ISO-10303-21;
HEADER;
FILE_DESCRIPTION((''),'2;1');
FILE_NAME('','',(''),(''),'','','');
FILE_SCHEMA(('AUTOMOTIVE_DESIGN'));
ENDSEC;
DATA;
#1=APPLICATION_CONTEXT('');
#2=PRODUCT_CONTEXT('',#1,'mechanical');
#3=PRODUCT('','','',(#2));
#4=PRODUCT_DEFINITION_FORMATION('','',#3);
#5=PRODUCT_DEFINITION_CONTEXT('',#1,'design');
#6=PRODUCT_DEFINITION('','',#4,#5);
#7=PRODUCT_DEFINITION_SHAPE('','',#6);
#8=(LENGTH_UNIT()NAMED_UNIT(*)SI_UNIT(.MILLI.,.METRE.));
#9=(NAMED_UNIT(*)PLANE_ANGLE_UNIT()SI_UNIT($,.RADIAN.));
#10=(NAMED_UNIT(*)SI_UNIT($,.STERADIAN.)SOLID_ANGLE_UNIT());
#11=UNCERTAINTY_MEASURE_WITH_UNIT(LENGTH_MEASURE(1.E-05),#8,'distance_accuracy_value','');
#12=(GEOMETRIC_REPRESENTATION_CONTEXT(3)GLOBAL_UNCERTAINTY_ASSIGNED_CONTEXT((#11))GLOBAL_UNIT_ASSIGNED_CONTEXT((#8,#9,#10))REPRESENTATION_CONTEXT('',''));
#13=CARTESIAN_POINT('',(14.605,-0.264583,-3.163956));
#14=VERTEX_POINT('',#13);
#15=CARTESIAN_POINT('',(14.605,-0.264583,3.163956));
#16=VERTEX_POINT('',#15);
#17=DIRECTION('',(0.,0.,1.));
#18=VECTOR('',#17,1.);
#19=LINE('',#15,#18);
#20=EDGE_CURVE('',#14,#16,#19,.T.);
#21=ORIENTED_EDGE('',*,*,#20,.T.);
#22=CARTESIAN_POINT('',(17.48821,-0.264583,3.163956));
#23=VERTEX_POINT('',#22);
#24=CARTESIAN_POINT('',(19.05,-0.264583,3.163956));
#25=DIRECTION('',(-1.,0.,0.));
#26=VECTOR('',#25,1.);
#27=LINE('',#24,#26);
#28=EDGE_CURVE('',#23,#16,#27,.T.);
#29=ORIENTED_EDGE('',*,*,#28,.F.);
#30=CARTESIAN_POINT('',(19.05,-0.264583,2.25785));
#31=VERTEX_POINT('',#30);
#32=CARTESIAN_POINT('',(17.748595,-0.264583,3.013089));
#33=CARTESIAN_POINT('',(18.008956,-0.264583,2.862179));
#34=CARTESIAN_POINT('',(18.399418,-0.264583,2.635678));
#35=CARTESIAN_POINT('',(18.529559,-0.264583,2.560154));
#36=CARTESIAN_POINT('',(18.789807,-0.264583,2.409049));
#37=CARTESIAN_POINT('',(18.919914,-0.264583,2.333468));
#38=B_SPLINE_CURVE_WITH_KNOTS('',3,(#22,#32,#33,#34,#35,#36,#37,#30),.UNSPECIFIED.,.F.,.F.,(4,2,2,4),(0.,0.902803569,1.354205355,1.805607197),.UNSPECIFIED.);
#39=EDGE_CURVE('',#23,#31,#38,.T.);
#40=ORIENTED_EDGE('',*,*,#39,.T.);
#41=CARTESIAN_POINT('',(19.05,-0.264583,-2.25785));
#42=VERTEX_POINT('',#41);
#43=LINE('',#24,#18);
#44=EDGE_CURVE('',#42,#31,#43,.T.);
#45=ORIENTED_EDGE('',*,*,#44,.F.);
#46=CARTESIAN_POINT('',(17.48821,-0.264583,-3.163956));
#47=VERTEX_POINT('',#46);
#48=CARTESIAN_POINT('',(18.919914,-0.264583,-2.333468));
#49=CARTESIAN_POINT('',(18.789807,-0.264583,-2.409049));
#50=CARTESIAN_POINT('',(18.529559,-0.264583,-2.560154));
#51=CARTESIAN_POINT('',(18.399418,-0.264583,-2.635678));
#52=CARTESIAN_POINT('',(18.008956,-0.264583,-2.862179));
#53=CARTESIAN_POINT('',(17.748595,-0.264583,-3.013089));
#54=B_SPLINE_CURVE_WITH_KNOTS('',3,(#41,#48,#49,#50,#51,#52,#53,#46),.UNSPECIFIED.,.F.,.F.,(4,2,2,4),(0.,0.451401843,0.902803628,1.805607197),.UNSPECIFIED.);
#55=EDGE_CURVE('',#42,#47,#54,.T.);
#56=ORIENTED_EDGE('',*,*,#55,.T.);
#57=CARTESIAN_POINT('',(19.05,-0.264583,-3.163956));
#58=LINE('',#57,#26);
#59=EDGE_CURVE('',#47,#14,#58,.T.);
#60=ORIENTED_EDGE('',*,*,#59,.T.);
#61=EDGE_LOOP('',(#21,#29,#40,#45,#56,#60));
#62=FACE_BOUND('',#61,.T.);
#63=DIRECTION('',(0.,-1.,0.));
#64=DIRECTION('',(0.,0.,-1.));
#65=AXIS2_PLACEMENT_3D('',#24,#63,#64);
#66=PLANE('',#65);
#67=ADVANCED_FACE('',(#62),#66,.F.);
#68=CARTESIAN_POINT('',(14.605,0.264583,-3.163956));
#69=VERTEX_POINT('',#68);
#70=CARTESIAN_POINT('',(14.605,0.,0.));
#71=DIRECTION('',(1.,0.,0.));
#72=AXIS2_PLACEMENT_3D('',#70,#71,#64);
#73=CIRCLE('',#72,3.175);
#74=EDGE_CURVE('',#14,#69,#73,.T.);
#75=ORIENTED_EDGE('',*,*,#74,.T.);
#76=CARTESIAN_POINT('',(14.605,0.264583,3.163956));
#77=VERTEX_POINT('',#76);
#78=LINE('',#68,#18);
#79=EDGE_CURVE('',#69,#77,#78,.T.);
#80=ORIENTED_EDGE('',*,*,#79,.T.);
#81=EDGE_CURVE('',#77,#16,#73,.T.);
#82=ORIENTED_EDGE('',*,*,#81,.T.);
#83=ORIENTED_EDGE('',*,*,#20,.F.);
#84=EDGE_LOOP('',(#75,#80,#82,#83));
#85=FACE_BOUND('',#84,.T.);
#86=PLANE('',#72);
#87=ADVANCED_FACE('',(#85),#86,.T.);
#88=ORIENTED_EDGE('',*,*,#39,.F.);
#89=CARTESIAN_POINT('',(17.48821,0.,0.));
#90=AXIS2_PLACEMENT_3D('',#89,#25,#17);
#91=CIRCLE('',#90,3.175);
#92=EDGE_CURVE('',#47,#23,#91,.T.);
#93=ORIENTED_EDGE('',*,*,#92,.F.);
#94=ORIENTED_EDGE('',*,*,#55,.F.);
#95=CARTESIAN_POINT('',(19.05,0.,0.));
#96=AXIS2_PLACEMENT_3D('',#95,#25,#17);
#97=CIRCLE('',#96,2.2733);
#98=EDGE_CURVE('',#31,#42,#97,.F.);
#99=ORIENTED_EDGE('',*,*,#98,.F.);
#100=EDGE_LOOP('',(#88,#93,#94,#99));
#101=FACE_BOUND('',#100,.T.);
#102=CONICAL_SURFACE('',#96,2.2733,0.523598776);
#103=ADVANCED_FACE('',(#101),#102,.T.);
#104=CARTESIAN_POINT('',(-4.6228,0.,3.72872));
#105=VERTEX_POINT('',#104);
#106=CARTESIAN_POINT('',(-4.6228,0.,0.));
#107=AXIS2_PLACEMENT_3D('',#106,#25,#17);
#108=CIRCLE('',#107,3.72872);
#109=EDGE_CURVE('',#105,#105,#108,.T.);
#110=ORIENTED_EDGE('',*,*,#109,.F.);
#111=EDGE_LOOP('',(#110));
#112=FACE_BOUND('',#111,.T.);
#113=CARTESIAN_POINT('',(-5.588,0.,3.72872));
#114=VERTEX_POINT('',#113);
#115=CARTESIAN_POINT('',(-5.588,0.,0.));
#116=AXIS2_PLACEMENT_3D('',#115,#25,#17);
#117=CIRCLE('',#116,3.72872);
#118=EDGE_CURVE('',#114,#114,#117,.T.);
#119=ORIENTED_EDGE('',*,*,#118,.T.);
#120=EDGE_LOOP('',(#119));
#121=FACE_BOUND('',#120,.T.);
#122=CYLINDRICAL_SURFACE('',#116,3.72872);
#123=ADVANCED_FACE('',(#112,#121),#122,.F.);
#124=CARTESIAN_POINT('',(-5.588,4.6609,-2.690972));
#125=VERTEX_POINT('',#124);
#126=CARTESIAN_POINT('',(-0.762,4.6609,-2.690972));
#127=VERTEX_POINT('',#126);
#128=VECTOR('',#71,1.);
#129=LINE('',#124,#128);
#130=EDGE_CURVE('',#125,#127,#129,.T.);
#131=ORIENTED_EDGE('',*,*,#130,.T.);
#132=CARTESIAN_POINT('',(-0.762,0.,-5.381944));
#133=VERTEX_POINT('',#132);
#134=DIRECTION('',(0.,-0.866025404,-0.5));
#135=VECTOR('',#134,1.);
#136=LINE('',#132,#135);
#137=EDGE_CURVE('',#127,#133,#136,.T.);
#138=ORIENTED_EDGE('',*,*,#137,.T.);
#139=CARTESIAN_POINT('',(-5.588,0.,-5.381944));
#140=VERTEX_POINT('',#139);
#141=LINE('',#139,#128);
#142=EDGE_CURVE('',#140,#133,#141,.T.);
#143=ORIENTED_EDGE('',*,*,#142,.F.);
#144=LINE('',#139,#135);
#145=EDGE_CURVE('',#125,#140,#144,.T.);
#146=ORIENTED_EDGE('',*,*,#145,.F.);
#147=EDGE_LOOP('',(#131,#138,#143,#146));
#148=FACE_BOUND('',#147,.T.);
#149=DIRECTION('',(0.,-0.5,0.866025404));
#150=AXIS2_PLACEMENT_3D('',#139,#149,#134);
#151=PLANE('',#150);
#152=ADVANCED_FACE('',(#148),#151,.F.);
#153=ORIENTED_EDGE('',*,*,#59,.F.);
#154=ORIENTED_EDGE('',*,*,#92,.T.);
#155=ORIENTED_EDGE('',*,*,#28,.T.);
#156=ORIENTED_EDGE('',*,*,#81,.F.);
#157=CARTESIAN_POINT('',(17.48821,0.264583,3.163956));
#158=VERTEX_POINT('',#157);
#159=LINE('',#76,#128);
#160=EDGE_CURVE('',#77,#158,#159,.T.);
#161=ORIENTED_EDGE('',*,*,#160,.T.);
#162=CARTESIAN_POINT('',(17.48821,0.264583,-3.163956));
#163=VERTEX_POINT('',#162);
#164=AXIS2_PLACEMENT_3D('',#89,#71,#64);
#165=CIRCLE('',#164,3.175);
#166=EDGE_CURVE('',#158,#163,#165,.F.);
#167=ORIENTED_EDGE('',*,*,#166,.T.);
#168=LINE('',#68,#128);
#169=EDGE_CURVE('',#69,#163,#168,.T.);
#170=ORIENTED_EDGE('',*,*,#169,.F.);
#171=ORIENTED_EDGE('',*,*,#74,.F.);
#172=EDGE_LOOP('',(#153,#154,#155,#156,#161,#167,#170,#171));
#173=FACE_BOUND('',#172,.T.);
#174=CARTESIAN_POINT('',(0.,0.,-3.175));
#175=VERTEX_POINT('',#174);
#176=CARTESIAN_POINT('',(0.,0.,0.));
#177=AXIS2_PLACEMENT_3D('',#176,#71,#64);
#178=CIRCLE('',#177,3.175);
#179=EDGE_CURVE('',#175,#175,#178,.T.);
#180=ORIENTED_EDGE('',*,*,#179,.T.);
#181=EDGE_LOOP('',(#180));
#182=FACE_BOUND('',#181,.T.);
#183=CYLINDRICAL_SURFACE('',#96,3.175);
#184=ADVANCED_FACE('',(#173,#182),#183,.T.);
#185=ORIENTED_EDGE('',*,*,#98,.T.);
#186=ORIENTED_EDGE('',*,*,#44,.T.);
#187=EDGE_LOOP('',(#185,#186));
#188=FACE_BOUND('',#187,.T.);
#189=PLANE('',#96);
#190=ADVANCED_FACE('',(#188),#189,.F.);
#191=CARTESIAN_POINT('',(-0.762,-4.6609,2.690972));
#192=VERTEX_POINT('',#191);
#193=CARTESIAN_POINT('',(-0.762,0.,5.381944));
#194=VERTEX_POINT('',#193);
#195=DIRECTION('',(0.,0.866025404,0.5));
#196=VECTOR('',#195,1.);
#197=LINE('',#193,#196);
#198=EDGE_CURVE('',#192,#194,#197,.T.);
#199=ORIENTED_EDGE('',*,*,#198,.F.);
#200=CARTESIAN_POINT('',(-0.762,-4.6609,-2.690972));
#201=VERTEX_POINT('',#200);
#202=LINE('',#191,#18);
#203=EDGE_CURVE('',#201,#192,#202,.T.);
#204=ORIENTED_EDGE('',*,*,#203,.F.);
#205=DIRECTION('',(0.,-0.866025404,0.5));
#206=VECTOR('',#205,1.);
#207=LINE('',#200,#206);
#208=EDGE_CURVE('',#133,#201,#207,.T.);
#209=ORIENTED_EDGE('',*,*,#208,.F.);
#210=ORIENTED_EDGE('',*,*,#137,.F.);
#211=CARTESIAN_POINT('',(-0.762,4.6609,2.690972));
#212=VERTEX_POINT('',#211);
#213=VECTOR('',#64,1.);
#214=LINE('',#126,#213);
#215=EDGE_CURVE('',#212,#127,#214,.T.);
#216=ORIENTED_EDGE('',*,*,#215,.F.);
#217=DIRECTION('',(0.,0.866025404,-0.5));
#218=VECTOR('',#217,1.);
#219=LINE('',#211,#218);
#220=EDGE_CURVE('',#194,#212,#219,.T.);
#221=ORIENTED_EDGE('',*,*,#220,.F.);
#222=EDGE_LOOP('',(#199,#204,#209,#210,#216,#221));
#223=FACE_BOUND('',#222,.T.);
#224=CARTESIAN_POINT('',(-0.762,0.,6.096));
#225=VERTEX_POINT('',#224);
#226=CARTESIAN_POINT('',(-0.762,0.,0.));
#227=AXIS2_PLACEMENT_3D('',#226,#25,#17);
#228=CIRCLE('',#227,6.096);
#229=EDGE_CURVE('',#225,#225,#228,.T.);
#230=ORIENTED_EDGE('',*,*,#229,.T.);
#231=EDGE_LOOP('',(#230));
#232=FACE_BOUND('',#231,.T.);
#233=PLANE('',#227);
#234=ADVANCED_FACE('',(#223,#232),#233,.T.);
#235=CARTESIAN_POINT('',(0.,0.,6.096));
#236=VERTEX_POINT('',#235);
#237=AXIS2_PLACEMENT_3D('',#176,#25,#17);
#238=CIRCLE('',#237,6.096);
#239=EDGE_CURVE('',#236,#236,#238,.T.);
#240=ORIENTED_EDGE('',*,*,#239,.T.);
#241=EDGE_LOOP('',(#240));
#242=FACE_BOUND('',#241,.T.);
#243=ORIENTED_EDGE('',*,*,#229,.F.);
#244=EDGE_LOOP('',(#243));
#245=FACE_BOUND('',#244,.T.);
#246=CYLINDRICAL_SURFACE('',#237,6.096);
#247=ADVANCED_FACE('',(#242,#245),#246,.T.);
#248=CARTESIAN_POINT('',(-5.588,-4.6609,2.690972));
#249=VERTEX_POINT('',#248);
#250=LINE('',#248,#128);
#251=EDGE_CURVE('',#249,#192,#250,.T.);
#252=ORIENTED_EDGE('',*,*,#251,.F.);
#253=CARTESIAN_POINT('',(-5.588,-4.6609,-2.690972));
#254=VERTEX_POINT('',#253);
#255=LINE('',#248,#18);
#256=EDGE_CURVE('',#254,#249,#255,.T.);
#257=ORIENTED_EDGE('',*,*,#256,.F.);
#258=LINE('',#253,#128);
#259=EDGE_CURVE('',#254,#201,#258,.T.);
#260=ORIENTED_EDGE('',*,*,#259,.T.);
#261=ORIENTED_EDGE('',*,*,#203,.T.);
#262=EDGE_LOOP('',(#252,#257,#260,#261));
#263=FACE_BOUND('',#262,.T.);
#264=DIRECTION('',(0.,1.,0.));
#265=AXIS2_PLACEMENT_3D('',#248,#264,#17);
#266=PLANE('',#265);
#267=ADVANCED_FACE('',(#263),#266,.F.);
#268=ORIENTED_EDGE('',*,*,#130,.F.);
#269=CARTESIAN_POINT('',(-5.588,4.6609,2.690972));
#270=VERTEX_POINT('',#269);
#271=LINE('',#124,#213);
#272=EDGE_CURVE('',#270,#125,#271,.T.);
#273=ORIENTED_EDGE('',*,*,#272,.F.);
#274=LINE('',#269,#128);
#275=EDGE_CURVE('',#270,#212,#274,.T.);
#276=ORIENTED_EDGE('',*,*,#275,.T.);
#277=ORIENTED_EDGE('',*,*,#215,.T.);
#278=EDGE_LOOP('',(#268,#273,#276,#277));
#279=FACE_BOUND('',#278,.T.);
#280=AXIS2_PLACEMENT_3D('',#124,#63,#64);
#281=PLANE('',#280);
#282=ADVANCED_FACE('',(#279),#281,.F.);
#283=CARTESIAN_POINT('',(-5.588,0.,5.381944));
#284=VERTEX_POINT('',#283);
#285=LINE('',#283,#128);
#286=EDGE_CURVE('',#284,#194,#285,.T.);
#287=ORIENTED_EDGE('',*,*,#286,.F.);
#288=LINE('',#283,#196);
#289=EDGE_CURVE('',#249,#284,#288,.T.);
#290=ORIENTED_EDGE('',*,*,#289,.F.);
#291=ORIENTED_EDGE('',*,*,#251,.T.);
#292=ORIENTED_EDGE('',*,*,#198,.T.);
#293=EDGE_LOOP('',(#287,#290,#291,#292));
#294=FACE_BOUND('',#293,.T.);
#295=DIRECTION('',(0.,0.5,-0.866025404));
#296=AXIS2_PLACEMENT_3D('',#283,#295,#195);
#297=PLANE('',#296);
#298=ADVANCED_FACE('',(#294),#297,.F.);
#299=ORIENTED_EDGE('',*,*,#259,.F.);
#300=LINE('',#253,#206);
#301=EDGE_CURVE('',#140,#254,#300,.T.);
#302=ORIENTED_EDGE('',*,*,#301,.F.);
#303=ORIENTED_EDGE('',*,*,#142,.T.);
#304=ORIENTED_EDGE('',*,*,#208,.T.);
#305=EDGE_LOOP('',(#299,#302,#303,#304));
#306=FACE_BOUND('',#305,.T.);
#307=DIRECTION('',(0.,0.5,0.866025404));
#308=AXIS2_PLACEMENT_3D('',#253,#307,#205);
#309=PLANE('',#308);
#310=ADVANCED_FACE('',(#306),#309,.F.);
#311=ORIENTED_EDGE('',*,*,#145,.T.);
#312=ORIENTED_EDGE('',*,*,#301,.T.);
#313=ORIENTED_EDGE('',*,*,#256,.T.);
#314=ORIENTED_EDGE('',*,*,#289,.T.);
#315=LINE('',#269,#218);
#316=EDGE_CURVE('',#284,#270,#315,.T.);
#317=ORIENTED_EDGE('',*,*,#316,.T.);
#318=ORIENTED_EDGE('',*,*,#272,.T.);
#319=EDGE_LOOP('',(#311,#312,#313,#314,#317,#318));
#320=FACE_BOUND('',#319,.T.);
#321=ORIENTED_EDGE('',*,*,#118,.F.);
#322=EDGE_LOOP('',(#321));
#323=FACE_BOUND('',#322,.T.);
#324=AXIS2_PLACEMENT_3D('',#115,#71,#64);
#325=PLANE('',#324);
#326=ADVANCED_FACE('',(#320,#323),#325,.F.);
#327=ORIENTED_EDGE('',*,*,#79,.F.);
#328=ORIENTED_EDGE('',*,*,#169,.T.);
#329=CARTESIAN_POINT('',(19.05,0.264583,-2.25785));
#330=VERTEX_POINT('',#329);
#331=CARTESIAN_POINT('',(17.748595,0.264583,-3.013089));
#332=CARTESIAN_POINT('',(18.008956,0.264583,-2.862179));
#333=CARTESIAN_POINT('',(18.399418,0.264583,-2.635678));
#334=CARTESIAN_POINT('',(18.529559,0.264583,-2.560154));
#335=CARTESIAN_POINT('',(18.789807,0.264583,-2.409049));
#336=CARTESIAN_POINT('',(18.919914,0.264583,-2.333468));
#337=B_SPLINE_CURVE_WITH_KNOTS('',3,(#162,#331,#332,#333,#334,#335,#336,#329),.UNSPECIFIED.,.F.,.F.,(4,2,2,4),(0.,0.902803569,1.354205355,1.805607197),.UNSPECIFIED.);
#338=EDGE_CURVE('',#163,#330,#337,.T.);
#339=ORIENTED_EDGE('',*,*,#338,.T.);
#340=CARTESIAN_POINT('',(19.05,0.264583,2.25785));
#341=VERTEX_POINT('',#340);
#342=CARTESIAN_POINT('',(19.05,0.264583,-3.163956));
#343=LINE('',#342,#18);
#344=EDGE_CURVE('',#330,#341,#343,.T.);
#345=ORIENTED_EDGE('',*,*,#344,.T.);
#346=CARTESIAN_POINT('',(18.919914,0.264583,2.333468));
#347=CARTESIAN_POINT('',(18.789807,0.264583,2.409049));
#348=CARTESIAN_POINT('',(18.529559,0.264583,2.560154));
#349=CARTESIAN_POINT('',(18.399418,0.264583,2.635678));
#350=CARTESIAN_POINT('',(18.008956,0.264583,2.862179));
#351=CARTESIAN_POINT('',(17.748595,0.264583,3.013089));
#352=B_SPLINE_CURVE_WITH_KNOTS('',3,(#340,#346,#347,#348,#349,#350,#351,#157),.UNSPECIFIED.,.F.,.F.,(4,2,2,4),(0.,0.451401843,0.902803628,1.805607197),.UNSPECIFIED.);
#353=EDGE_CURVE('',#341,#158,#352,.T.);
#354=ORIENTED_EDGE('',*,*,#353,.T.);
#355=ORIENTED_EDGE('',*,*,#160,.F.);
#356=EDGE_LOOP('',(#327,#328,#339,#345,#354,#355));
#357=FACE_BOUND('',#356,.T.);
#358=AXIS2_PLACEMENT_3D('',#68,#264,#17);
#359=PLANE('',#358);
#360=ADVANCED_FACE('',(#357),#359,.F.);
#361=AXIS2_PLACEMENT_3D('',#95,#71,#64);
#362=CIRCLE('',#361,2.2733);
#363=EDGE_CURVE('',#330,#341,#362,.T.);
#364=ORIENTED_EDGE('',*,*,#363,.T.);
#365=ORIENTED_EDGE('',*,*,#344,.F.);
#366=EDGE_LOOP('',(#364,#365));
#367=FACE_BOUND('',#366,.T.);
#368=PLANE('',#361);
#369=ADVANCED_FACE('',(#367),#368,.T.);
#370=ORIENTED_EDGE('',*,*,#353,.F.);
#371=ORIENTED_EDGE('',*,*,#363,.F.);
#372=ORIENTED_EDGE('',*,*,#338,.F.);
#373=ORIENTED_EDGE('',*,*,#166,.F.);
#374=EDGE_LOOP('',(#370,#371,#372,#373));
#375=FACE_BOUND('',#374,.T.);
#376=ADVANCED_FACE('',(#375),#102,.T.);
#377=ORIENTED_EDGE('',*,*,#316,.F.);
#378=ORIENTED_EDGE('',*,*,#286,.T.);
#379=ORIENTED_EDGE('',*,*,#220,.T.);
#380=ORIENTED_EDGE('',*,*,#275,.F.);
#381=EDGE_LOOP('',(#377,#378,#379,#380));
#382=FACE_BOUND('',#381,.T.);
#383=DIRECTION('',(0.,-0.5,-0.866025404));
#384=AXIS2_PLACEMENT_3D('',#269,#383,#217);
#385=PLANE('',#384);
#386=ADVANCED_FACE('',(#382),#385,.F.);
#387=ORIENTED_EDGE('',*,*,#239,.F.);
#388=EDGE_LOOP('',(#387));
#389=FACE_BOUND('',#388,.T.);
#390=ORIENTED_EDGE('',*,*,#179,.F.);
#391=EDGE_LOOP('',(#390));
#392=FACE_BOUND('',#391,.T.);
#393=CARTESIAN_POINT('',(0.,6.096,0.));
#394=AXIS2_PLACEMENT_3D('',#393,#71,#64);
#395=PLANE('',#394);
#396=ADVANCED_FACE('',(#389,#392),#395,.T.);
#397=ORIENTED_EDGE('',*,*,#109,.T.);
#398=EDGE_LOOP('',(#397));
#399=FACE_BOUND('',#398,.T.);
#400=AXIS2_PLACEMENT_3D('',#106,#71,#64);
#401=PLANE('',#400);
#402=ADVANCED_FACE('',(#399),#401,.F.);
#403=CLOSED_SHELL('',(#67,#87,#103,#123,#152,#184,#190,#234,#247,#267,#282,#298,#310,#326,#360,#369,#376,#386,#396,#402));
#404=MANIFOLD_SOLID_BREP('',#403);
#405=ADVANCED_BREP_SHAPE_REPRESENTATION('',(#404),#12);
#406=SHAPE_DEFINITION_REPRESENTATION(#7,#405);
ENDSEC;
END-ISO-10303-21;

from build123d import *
from OCP.BRepFilletAPI import BRepFilletAPI_MakeChamfer
from build123d.topology import SkipClean

# Parameters (mm, degrees)
SKETCH1_W                  = 0.762
SKETCH1_H                  = 6.096
SKETCH2_R                  = 3.175
BOSS_EXTRUDE1_DEPTH        = 19.05
CUT_EXTRUDE1_START         = -4.445
CUT_EXTRUDE1_DEPTH         = 4.445
BOSS_EXTRUDE2_DEPTH        = 4.445
BOSS_EXTRUDE3_DEPTH        = 4.826
M6_5_CLEARANCE_HOLE1_D     = 7.45744
M6_5_CLEARANCE_HOLE1_DEPTH = 0.9652
CHAMFER1_SIZE              = 0.9017
CHAMFER1_SIZE2             = 1.561790213


with BuildPart() as part:
    # Sketch1 → Revolve1 (revolve)
    with BuildSketch(Plane(origin=(0, 0, 0), x_dir=(-1, 0, 0), z_dir=(0, 0, -1)), mode=Mode.PRIVATE) as revolve1_sk:
        with Locations((0.381, 3.048)):
            Rectangle(SKETCH1_W, SKETCH1_H)
    revolve(revolve1_sk.sketch.rotate(Axis((0, 0, 0), (-1, 0, 0)), 270), axis=Axis((0, 0, 0), (-1, 0, 0)))

    # Sketch2 → Boss-Extrude1 (add)
    with BuildSketch(Plane(origin=(0, 0, 0), x_dir=(0, 0, -1), z_dir=(1, 0, 0))):
        with Locations(Location((0, 0, 0), (0, 0, 180))):
            Circle(SKETCH2_R)
    extrude(amount=BOSS_EXTRUDE1_DEPTH)

    # Sketch3 → Cut-Extrude1 (cut)
    with BuildSketch(Plane(origin=(19.05, 0, 0), x_dir=(0, 0, -1), z_dir=(1, 0, 0)).offset(CUT_EXTRUDE1_START)):
        with BuildLine():
            Line((3.163956488, 0.264583333), (-3.163956488, 0.264583333))
            ThreePointArc((-3.163956488, 0.264583333), (0, -3.175), (3.163956488, 0.264583333))
        make_face()
    extrude(amount=CUT_EXTRUDE1_DEPTH, mode=Mode.SUBTRACT)

    # Sketch4 → Boss-Extrude2 (add)
    with SkipClean():  # the faces are left unmerged after this step: merging them gives an invalid solid
        with BuildSketch(Plane(origin=(14.605, 0, 0), x_dir=(0, 0, -1), z_dir=(1, 0, 0))):
            with BuildLine():
                Line((-3.163956488, -0.264583333), (3.163956488, -0.264583333))
                ThreePointArc((3.163956488, -0.264583333), (0, -3.175), (-3.163956488, -0.264583333))
            make_face()
        extrude(amount=BOSS_EXTRUDE2_DEPTH)

    # Sketch5 → Boss-Extrude3 (add)
    with SkipClean():  # the faces are left unmerged after this step: merging them gives an invalid solid
        with BuildSketch(Plane.ZY.offset(0.762)):
            Polygon((-5.381943739, 0), (-2.69097187, 4.6609), (2.69097187, 4.6609), (5.381943739, 0), (2.69097187, -4.6609), (-2.69097187, -4.6609), align=None)
        extrude(amount=BOSS_EXTRUDE3_DEPTH)

    # M6.5 Clearance Hole1
    with Locations(Plane.ZY.offset(5.588)):
        with Locations((0, 0)):
            Hole(M6_5_CLEARANCE_HOLE1_D / 2, depth=M6_5_CLEARANCE_HOLE1_DEPTH)

    # Chamfer1: one chamfer whose edges measure the first distance from different faces: ONE call of the kernel's chamfer builder (chamfer() names one face for all edges)
    chamfer1_edges_1 = [part.edges().sort_by_distance(p)[0] for p in [
        (19.05, -3.175, 0),
    ]]
    chamfer1_side_1 = [part.faces().sort_by_distance(p)[0] for p in [
        (19.05, -1.491577602, 0),
    ]]
    chamfer1_edges_2 = [part.edges().sort_by_distance(p)[0] for p in [
        (19.05, 3.175, 0),
    ]]
    chamfer1_side_2 = [part.faces().sort_by_distance(p)[0] for p in [
        (19.05, 1.491577602, 0),
    ]]
    chamfer1 = BRepFilletAPI_MakeChamfer(part.part.solid().wrapped)
    for e in chamfer1_edges_1:
        chamfer1.Add(CHAMFER1_SIZE, CHAMFER1_SIZE2, e.wrapped, chamfer1_side_1[0].wrapped)  # the first distance lies on this face
    for e in chamfer1_edges_2:
        chamfer1.Add(CHAMFER1_SIZE, CHAMFER1_SIZE2, e.wrapped, chamfer1_side_2[0].wrapped)  # the first distance lies on this face
    add(Compound.cast(chamfer1.Shape()), mode=Mode.REPLACE)


solid = part.part
